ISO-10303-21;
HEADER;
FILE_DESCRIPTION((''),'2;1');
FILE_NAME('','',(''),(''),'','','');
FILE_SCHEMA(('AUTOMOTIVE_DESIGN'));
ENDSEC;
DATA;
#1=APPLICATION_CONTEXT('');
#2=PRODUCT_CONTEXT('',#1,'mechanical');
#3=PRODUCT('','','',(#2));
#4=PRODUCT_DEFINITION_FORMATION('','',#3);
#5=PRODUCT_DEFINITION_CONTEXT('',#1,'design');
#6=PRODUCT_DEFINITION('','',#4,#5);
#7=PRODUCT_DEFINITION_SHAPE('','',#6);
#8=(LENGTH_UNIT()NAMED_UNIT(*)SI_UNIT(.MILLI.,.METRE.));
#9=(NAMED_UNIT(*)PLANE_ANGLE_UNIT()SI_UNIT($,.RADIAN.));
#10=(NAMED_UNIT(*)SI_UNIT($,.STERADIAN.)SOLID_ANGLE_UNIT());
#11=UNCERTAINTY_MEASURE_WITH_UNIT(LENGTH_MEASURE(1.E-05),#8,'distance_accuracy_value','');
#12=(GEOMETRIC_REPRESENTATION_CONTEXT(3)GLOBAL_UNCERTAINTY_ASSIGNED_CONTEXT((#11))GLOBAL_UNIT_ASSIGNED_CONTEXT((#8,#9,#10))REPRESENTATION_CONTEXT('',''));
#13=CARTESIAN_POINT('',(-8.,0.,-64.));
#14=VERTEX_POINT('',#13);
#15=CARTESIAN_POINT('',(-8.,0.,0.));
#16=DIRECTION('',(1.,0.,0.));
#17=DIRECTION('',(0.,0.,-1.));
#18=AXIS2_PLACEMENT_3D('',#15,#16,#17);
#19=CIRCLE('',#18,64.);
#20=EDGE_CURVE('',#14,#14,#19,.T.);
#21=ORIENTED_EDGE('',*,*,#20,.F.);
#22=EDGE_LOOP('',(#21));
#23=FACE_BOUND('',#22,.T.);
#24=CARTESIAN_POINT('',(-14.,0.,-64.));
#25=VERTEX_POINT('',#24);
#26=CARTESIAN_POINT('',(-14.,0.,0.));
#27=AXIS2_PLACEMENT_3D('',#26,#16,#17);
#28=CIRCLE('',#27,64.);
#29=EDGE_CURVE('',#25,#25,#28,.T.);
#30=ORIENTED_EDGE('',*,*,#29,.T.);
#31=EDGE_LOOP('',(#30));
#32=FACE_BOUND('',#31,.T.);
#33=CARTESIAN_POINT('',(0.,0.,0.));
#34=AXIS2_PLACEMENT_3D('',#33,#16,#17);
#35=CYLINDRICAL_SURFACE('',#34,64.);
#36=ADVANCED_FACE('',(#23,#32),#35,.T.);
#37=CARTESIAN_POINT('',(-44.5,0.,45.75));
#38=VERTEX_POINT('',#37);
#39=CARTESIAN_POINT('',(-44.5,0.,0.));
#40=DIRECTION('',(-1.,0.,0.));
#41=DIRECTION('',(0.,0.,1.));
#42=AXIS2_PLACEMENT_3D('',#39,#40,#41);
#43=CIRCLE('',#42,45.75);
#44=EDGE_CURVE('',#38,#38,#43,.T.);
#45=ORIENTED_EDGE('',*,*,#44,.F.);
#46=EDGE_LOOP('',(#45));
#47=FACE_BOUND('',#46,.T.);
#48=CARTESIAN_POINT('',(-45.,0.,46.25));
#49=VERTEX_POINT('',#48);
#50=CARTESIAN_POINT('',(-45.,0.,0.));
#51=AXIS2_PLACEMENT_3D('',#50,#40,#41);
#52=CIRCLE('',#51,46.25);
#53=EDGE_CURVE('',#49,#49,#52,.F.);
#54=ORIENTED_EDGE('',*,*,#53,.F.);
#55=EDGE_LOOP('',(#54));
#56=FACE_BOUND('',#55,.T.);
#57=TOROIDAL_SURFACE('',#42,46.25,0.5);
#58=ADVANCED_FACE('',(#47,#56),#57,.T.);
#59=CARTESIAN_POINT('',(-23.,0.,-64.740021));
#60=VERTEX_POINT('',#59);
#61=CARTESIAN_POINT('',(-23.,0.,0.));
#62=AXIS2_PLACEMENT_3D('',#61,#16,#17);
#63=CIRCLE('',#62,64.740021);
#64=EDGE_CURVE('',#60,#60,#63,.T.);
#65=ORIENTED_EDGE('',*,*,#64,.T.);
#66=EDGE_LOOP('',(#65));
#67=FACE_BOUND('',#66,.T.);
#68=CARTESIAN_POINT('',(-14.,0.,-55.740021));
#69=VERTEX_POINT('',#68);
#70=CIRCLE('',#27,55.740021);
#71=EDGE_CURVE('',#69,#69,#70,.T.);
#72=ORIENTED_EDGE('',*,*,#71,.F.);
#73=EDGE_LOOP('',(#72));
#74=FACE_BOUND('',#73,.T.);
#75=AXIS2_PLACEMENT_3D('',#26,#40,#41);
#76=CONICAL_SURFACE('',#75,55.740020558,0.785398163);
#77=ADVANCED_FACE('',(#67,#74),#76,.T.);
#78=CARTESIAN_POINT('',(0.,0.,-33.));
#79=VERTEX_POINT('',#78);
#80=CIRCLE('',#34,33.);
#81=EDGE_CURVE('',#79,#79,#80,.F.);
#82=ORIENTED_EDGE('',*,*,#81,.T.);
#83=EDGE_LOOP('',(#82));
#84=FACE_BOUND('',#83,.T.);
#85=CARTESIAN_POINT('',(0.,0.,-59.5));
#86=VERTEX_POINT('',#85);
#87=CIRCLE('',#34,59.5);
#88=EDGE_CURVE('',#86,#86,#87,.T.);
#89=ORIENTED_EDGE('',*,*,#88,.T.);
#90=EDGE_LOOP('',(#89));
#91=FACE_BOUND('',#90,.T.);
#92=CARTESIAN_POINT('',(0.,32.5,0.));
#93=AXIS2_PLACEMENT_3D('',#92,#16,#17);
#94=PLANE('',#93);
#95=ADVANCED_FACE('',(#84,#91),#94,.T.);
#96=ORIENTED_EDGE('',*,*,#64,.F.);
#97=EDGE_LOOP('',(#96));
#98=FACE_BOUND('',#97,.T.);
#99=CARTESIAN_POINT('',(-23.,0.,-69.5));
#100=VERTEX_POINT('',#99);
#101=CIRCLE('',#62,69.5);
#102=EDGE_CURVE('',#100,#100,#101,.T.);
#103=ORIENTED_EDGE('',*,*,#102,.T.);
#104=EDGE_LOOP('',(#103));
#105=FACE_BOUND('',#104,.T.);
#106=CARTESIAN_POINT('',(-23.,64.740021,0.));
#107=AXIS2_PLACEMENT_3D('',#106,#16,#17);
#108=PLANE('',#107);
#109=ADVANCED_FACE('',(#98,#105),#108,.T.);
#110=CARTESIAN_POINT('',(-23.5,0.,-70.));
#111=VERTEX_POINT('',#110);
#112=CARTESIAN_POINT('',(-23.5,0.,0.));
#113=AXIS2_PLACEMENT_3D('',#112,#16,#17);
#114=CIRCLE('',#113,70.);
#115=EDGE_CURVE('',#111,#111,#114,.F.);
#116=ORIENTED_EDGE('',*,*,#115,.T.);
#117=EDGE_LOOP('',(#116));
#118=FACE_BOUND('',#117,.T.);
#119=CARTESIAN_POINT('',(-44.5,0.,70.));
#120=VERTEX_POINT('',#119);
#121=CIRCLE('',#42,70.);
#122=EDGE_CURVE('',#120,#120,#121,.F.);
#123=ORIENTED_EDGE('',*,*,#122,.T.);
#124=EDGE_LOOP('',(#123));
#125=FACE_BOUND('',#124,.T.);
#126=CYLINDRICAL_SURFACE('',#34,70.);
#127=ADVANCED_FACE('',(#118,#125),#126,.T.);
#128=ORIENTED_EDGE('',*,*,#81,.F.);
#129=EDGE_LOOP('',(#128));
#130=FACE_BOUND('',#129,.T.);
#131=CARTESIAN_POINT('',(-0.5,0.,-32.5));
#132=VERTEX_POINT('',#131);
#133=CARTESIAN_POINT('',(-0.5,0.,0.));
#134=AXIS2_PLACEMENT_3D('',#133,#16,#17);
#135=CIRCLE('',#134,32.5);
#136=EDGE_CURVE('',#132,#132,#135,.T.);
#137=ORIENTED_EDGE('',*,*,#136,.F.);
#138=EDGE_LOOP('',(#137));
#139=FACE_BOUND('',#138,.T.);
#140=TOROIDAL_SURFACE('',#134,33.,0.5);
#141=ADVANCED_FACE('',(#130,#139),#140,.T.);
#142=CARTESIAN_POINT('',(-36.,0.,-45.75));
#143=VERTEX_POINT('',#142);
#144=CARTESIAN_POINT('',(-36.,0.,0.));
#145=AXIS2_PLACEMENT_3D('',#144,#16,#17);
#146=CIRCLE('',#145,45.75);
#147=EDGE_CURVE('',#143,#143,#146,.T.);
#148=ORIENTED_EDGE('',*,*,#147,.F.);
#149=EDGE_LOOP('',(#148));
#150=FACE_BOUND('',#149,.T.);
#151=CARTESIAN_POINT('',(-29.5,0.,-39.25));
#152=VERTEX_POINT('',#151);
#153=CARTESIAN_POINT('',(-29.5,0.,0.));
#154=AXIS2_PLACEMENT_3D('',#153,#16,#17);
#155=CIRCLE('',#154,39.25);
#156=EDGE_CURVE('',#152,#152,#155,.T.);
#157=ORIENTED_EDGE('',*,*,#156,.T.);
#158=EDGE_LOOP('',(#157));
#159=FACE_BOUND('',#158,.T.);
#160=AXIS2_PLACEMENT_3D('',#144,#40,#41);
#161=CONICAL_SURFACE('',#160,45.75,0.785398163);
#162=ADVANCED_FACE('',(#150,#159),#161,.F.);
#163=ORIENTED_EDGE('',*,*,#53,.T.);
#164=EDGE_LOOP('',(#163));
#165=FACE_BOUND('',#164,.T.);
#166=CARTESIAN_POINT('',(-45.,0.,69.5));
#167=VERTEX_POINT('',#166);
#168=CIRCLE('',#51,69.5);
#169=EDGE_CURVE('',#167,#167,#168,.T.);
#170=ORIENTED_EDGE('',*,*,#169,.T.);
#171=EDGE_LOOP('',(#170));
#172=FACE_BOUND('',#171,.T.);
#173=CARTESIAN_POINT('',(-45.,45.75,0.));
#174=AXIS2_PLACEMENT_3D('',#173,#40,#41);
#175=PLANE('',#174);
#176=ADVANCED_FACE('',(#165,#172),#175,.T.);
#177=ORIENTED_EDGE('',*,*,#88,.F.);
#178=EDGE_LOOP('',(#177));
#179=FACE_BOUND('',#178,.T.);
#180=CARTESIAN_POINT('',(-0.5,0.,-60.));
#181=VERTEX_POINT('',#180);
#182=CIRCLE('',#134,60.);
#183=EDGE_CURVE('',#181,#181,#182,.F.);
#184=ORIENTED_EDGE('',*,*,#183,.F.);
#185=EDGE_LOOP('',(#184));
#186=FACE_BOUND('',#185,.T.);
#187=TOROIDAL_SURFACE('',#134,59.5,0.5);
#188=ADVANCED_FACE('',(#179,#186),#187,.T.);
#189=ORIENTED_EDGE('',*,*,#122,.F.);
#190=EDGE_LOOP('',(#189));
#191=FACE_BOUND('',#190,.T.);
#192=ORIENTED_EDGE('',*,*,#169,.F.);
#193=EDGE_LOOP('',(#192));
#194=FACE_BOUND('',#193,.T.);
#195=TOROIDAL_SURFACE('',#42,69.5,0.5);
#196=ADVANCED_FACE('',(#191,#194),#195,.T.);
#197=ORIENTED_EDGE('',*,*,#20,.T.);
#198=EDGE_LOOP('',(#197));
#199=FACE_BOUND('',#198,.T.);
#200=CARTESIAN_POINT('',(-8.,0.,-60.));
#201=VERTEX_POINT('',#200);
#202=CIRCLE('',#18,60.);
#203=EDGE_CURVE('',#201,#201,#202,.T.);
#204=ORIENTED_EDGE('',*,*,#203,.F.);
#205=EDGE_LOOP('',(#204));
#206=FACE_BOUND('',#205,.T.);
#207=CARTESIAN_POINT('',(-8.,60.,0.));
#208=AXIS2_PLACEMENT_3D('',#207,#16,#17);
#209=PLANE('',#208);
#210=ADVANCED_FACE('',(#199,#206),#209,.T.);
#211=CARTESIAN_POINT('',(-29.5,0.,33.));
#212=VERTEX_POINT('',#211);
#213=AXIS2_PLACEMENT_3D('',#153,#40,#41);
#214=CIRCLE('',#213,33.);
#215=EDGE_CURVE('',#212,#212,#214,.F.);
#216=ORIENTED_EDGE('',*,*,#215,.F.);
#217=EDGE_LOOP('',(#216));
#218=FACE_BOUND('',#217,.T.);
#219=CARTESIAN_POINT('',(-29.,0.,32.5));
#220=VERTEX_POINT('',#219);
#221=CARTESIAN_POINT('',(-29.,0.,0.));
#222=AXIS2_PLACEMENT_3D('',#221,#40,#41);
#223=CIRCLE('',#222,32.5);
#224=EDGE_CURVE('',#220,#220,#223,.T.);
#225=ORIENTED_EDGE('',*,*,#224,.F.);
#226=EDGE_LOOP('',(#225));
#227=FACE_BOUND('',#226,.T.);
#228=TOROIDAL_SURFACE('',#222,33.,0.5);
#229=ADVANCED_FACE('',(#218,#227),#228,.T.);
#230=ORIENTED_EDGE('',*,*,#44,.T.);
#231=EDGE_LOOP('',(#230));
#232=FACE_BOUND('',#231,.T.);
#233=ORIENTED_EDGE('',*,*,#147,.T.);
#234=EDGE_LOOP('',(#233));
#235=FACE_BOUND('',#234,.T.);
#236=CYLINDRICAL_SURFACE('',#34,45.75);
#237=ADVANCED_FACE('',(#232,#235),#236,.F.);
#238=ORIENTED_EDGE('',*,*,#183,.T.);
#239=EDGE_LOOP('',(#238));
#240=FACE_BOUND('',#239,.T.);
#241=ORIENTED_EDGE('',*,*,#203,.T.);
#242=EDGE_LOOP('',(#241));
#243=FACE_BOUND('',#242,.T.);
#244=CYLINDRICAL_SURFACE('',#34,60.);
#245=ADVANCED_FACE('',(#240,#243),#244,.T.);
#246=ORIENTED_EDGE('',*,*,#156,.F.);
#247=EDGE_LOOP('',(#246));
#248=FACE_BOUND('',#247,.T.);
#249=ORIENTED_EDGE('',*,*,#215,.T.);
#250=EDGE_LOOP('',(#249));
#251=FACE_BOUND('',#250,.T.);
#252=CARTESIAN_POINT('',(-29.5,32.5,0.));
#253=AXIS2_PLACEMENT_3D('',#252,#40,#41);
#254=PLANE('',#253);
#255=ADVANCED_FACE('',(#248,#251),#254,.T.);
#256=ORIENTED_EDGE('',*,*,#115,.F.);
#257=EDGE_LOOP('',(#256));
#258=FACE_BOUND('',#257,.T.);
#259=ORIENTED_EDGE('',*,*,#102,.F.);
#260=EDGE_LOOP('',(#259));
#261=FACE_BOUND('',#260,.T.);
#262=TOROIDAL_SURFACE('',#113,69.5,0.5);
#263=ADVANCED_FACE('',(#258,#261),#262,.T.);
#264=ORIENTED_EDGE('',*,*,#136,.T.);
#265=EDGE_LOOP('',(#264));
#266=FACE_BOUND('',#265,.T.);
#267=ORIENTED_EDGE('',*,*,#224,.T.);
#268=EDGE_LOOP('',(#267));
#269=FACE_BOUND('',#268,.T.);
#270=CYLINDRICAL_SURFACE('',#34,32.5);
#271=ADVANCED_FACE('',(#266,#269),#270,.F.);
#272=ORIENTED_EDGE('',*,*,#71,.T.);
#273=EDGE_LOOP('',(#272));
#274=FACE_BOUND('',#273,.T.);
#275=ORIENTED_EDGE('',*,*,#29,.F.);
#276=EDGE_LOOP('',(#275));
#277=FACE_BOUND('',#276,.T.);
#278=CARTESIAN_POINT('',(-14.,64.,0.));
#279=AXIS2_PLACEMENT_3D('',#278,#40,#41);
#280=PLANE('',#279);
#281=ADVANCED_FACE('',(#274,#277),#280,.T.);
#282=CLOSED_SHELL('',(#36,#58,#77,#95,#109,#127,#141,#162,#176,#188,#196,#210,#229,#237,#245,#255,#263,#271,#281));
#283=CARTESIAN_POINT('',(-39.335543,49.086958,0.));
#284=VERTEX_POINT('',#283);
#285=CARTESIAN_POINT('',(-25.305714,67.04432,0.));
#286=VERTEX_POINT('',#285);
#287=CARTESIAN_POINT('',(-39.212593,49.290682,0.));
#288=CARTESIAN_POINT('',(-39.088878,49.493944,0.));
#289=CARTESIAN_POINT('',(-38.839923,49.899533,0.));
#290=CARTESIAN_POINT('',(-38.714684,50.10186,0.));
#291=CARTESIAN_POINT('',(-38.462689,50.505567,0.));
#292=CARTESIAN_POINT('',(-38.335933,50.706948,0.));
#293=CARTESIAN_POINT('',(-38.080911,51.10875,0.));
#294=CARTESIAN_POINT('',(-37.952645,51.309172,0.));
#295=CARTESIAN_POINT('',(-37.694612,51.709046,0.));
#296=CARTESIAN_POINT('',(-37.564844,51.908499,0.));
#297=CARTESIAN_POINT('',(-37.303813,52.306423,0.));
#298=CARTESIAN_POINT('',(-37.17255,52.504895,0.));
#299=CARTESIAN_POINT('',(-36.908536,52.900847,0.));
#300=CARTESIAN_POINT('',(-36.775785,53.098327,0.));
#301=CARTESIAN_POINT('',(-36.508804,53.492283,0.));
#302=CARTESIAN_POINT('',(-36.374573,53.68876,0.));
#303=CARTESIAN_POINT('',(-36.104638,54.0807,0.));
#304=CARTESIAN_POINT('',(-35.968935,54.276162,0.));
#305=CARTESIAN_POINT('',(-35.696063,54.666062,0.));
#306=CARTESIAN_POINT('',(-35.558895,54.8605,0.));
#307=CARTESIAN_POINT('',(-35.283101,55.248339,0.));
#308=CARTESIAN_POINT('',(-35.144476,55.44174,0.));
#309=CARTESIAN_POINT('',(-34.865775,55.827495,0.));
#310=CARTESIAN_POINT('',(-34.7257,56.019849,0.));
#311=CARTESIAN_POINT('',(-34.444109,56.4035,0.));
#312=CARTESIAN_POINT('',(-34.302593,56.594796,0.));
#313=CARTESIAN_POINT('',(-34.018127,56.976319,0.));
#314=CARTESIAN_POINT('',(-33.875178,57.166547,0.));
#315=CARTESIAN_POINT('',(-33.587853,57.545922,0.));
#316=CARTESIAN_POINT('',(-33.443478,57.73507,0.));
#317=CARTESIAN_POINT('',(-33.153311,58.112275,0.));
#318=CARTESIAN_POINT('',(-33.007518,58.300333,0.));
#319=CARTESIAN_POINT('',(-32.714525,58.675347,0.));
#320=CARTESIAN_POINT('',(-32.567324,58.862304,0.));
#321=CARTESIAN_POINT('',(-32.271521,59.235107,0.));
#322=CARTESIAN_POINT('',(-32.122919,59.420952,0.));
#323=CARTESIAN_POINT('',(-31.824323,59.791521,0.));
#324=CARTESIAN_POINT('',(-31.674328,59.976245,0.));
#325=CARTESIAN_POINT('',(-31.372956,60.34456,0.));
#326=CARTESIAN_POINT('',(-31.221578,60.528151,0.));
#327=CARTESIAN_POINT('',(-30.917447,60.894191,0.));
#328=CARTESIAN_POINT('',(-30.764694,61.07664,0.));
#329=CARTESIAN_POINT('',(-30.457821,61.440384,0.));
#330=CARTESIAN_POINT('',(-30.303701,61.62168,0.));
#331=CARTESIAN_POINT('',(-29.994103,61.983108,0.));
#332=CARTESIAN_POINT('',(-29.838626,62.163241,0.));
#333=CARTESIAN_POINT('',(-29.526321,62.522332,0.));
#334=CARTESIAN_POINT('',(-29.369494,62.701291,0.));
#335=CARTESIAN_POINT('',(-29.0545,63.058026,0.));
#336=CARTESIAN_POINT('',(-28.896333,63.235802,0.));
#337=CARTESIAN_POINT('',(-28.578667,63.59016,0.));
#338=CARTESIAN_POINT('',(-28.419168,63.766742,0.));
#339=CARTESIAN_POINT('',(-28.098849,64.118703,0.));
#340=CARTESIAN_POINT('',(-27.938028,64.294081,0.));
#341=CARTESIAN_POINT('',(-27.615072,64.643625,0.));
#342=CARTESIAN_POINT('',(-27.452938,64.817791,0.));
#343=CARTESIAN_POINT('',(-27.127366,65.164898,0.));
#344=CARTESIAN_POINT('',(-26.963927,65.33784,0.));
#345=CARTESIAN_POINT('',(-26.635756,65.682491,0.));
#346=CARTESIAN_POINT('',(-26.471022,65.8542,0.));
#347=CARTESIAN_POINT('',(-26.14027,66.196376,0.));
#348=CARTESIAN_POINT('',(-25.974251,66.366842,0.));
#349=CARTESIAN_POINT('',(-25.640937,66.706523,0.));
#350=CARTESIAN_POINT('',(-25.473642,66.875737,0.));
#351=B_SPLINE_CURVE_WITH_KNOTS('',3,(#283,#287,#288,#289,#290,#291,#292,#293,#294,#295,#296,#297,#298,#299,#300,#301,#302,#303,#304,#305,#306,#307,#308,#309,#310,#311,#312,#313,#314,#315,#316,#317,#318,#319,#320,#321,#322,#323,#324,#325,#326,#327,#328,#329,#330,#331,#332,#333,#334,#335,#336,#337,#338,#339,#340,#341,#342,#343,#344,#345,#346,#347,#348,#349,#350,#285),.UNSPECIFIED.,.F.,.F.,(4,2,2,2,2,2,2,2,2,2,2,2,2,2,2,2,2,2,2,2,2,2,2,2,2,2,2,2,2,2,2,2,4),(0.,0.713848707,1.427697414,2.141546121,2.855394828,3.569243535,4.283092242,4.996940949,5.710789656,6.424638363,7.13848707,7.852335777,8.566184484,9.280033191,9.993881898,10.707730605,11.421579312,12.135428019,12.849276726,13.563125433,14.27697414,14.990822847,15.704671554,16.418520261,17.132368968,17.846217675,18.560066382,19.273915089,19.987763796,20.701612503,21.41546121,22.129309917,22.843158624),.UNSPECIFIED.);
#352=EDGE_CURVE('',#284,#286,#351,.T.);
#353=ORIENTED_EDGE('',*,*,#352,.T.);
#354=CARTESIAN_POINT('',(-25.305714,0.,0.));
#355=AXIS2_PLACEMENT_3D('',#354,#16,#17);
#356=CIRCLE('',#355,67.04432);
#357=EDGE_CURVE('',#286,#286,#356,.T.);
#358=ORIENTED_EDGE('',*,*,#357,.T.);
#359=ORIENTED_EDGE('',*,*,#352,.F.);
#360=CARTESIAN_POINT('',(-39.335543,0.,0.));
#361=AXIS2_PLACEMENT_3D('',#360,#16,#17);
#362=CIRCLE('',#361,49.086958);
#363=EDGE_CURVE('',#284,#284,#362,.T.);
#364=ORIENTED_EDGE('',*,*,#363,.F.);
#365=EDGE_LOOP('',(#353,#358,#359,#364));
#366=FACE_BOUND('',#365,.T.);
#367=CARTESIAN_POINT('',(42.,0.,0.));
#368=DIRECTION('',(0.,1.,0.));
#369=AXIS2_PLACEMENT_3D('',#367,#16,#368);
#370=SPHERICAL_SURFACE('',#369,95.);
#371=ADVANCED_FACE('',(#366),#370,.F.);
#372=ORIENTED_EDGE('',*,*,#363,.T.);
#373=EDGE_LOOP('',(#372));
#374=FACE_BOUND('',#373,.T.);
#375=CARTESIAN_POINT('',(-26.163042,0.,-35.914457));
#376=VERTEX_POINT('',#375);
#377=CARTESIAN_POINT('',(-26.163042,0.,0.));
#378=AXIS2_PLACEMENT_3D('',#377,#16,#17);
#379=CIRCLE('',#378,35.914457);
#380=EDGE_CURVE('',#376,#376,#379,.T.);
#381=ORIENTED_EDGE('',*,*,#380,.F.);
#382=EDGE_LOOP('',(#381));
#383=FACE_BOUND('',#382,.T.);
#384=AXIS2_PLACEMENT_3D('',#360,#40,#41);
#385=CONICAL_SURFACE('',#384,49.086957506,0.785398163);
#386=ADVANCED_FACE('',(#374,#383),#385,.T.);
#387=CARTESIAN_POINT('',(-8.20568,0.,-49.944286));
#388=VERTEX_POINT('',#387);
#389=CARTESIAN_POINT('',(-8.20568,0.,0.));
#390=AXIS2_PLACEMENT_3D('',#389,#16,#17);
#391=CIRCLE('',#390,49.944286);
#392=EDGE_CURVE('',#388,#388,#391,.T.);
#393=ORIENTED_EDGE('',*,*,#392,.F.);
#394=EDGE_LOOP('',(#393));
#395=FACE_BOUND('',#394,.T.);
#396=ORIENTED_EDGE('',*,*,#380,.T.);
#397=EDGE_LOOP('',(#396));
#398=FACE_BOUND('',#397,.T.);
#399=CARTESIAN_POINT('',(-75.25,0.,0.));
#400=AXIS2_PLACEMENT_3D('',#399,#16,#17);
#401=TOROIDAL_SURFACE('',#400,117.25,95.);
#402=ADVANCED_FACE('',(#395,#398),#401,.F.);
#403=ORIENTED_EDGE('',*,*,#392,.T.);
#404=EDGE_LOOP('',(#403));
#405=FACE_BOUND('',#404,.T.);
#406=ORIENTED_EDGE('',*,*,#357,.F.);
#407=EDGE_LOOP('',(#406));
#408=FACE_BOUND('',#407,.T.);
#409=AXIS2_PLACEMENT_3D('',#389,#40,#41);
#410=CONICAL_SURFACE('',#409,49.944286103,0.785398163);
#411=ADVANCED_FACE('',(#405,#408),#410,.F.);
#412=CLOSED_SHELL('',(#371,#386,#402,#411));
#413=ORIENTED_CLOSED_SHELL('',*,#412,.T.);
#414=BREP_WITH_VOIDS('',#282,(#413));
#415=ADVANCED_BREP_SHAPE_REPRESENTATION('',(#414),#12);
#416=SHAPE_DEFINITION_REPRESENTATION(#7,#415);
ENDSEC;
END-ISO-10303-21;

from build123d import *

# Parameters (mm, degrees)
VERRUNDUNG1_R = 0.5


with BuildPart() as part:
    # Skizze1 → Rotation1 (revolve)
    with BuildSketch(Plane.XY, mode=Mode.PRIVATE) as rotation1_sk:
        Polygon((-29.5, 32.5), (0, 32.5), (0, 60), (-8, 60), (-8, 64), (-14, 64), (-14, 55.740020558), (-23, 64.740020558), (-23, 70), (-45, 70), (-45, 45.75), (-36, 45.75), (-29.5, 39.25), align=None)
        with BuildLine():
            Line((-39.335543293, 49.086957506), (-26.163042494, 35.914456707))
            ThreePointArc((-26.163042494, 35.914456707), (-16.762159844, 42.388978407), (-8.205679758, 49.944286103))
            Line((-8.205679758, 49.944286103), (-25.305713897, 67.044320242))
            ThreePointArc((-25.305713897, 67.044320242), (-32.861021593, 58.487840156), (-39.335543293, 49.086957506))
        make_face(mode=Mode.SUBTRACT)
    revolve(rotation1_sk.sketch.rotate(Axis((0, 0, 0), (-1, 0, 0)), 90), axis=Axis((0, 0, 0), (-1, 0, 0)))

    # Verrundung1
    verrundung1_edges = [part.edges().sort_by_distance(p)[0] for p in [
        (-23, 0, 70),
        (-45, 0, 70),
        (-45, 0, 45.75),
        (-29.5, 0, 32.5),
        (0, 0, 32.5),
        (0, 0, 60),
    ]]
    fillet(verrundung1_edges, radius=VERRUNDUNG1_R)


solid = part.part
